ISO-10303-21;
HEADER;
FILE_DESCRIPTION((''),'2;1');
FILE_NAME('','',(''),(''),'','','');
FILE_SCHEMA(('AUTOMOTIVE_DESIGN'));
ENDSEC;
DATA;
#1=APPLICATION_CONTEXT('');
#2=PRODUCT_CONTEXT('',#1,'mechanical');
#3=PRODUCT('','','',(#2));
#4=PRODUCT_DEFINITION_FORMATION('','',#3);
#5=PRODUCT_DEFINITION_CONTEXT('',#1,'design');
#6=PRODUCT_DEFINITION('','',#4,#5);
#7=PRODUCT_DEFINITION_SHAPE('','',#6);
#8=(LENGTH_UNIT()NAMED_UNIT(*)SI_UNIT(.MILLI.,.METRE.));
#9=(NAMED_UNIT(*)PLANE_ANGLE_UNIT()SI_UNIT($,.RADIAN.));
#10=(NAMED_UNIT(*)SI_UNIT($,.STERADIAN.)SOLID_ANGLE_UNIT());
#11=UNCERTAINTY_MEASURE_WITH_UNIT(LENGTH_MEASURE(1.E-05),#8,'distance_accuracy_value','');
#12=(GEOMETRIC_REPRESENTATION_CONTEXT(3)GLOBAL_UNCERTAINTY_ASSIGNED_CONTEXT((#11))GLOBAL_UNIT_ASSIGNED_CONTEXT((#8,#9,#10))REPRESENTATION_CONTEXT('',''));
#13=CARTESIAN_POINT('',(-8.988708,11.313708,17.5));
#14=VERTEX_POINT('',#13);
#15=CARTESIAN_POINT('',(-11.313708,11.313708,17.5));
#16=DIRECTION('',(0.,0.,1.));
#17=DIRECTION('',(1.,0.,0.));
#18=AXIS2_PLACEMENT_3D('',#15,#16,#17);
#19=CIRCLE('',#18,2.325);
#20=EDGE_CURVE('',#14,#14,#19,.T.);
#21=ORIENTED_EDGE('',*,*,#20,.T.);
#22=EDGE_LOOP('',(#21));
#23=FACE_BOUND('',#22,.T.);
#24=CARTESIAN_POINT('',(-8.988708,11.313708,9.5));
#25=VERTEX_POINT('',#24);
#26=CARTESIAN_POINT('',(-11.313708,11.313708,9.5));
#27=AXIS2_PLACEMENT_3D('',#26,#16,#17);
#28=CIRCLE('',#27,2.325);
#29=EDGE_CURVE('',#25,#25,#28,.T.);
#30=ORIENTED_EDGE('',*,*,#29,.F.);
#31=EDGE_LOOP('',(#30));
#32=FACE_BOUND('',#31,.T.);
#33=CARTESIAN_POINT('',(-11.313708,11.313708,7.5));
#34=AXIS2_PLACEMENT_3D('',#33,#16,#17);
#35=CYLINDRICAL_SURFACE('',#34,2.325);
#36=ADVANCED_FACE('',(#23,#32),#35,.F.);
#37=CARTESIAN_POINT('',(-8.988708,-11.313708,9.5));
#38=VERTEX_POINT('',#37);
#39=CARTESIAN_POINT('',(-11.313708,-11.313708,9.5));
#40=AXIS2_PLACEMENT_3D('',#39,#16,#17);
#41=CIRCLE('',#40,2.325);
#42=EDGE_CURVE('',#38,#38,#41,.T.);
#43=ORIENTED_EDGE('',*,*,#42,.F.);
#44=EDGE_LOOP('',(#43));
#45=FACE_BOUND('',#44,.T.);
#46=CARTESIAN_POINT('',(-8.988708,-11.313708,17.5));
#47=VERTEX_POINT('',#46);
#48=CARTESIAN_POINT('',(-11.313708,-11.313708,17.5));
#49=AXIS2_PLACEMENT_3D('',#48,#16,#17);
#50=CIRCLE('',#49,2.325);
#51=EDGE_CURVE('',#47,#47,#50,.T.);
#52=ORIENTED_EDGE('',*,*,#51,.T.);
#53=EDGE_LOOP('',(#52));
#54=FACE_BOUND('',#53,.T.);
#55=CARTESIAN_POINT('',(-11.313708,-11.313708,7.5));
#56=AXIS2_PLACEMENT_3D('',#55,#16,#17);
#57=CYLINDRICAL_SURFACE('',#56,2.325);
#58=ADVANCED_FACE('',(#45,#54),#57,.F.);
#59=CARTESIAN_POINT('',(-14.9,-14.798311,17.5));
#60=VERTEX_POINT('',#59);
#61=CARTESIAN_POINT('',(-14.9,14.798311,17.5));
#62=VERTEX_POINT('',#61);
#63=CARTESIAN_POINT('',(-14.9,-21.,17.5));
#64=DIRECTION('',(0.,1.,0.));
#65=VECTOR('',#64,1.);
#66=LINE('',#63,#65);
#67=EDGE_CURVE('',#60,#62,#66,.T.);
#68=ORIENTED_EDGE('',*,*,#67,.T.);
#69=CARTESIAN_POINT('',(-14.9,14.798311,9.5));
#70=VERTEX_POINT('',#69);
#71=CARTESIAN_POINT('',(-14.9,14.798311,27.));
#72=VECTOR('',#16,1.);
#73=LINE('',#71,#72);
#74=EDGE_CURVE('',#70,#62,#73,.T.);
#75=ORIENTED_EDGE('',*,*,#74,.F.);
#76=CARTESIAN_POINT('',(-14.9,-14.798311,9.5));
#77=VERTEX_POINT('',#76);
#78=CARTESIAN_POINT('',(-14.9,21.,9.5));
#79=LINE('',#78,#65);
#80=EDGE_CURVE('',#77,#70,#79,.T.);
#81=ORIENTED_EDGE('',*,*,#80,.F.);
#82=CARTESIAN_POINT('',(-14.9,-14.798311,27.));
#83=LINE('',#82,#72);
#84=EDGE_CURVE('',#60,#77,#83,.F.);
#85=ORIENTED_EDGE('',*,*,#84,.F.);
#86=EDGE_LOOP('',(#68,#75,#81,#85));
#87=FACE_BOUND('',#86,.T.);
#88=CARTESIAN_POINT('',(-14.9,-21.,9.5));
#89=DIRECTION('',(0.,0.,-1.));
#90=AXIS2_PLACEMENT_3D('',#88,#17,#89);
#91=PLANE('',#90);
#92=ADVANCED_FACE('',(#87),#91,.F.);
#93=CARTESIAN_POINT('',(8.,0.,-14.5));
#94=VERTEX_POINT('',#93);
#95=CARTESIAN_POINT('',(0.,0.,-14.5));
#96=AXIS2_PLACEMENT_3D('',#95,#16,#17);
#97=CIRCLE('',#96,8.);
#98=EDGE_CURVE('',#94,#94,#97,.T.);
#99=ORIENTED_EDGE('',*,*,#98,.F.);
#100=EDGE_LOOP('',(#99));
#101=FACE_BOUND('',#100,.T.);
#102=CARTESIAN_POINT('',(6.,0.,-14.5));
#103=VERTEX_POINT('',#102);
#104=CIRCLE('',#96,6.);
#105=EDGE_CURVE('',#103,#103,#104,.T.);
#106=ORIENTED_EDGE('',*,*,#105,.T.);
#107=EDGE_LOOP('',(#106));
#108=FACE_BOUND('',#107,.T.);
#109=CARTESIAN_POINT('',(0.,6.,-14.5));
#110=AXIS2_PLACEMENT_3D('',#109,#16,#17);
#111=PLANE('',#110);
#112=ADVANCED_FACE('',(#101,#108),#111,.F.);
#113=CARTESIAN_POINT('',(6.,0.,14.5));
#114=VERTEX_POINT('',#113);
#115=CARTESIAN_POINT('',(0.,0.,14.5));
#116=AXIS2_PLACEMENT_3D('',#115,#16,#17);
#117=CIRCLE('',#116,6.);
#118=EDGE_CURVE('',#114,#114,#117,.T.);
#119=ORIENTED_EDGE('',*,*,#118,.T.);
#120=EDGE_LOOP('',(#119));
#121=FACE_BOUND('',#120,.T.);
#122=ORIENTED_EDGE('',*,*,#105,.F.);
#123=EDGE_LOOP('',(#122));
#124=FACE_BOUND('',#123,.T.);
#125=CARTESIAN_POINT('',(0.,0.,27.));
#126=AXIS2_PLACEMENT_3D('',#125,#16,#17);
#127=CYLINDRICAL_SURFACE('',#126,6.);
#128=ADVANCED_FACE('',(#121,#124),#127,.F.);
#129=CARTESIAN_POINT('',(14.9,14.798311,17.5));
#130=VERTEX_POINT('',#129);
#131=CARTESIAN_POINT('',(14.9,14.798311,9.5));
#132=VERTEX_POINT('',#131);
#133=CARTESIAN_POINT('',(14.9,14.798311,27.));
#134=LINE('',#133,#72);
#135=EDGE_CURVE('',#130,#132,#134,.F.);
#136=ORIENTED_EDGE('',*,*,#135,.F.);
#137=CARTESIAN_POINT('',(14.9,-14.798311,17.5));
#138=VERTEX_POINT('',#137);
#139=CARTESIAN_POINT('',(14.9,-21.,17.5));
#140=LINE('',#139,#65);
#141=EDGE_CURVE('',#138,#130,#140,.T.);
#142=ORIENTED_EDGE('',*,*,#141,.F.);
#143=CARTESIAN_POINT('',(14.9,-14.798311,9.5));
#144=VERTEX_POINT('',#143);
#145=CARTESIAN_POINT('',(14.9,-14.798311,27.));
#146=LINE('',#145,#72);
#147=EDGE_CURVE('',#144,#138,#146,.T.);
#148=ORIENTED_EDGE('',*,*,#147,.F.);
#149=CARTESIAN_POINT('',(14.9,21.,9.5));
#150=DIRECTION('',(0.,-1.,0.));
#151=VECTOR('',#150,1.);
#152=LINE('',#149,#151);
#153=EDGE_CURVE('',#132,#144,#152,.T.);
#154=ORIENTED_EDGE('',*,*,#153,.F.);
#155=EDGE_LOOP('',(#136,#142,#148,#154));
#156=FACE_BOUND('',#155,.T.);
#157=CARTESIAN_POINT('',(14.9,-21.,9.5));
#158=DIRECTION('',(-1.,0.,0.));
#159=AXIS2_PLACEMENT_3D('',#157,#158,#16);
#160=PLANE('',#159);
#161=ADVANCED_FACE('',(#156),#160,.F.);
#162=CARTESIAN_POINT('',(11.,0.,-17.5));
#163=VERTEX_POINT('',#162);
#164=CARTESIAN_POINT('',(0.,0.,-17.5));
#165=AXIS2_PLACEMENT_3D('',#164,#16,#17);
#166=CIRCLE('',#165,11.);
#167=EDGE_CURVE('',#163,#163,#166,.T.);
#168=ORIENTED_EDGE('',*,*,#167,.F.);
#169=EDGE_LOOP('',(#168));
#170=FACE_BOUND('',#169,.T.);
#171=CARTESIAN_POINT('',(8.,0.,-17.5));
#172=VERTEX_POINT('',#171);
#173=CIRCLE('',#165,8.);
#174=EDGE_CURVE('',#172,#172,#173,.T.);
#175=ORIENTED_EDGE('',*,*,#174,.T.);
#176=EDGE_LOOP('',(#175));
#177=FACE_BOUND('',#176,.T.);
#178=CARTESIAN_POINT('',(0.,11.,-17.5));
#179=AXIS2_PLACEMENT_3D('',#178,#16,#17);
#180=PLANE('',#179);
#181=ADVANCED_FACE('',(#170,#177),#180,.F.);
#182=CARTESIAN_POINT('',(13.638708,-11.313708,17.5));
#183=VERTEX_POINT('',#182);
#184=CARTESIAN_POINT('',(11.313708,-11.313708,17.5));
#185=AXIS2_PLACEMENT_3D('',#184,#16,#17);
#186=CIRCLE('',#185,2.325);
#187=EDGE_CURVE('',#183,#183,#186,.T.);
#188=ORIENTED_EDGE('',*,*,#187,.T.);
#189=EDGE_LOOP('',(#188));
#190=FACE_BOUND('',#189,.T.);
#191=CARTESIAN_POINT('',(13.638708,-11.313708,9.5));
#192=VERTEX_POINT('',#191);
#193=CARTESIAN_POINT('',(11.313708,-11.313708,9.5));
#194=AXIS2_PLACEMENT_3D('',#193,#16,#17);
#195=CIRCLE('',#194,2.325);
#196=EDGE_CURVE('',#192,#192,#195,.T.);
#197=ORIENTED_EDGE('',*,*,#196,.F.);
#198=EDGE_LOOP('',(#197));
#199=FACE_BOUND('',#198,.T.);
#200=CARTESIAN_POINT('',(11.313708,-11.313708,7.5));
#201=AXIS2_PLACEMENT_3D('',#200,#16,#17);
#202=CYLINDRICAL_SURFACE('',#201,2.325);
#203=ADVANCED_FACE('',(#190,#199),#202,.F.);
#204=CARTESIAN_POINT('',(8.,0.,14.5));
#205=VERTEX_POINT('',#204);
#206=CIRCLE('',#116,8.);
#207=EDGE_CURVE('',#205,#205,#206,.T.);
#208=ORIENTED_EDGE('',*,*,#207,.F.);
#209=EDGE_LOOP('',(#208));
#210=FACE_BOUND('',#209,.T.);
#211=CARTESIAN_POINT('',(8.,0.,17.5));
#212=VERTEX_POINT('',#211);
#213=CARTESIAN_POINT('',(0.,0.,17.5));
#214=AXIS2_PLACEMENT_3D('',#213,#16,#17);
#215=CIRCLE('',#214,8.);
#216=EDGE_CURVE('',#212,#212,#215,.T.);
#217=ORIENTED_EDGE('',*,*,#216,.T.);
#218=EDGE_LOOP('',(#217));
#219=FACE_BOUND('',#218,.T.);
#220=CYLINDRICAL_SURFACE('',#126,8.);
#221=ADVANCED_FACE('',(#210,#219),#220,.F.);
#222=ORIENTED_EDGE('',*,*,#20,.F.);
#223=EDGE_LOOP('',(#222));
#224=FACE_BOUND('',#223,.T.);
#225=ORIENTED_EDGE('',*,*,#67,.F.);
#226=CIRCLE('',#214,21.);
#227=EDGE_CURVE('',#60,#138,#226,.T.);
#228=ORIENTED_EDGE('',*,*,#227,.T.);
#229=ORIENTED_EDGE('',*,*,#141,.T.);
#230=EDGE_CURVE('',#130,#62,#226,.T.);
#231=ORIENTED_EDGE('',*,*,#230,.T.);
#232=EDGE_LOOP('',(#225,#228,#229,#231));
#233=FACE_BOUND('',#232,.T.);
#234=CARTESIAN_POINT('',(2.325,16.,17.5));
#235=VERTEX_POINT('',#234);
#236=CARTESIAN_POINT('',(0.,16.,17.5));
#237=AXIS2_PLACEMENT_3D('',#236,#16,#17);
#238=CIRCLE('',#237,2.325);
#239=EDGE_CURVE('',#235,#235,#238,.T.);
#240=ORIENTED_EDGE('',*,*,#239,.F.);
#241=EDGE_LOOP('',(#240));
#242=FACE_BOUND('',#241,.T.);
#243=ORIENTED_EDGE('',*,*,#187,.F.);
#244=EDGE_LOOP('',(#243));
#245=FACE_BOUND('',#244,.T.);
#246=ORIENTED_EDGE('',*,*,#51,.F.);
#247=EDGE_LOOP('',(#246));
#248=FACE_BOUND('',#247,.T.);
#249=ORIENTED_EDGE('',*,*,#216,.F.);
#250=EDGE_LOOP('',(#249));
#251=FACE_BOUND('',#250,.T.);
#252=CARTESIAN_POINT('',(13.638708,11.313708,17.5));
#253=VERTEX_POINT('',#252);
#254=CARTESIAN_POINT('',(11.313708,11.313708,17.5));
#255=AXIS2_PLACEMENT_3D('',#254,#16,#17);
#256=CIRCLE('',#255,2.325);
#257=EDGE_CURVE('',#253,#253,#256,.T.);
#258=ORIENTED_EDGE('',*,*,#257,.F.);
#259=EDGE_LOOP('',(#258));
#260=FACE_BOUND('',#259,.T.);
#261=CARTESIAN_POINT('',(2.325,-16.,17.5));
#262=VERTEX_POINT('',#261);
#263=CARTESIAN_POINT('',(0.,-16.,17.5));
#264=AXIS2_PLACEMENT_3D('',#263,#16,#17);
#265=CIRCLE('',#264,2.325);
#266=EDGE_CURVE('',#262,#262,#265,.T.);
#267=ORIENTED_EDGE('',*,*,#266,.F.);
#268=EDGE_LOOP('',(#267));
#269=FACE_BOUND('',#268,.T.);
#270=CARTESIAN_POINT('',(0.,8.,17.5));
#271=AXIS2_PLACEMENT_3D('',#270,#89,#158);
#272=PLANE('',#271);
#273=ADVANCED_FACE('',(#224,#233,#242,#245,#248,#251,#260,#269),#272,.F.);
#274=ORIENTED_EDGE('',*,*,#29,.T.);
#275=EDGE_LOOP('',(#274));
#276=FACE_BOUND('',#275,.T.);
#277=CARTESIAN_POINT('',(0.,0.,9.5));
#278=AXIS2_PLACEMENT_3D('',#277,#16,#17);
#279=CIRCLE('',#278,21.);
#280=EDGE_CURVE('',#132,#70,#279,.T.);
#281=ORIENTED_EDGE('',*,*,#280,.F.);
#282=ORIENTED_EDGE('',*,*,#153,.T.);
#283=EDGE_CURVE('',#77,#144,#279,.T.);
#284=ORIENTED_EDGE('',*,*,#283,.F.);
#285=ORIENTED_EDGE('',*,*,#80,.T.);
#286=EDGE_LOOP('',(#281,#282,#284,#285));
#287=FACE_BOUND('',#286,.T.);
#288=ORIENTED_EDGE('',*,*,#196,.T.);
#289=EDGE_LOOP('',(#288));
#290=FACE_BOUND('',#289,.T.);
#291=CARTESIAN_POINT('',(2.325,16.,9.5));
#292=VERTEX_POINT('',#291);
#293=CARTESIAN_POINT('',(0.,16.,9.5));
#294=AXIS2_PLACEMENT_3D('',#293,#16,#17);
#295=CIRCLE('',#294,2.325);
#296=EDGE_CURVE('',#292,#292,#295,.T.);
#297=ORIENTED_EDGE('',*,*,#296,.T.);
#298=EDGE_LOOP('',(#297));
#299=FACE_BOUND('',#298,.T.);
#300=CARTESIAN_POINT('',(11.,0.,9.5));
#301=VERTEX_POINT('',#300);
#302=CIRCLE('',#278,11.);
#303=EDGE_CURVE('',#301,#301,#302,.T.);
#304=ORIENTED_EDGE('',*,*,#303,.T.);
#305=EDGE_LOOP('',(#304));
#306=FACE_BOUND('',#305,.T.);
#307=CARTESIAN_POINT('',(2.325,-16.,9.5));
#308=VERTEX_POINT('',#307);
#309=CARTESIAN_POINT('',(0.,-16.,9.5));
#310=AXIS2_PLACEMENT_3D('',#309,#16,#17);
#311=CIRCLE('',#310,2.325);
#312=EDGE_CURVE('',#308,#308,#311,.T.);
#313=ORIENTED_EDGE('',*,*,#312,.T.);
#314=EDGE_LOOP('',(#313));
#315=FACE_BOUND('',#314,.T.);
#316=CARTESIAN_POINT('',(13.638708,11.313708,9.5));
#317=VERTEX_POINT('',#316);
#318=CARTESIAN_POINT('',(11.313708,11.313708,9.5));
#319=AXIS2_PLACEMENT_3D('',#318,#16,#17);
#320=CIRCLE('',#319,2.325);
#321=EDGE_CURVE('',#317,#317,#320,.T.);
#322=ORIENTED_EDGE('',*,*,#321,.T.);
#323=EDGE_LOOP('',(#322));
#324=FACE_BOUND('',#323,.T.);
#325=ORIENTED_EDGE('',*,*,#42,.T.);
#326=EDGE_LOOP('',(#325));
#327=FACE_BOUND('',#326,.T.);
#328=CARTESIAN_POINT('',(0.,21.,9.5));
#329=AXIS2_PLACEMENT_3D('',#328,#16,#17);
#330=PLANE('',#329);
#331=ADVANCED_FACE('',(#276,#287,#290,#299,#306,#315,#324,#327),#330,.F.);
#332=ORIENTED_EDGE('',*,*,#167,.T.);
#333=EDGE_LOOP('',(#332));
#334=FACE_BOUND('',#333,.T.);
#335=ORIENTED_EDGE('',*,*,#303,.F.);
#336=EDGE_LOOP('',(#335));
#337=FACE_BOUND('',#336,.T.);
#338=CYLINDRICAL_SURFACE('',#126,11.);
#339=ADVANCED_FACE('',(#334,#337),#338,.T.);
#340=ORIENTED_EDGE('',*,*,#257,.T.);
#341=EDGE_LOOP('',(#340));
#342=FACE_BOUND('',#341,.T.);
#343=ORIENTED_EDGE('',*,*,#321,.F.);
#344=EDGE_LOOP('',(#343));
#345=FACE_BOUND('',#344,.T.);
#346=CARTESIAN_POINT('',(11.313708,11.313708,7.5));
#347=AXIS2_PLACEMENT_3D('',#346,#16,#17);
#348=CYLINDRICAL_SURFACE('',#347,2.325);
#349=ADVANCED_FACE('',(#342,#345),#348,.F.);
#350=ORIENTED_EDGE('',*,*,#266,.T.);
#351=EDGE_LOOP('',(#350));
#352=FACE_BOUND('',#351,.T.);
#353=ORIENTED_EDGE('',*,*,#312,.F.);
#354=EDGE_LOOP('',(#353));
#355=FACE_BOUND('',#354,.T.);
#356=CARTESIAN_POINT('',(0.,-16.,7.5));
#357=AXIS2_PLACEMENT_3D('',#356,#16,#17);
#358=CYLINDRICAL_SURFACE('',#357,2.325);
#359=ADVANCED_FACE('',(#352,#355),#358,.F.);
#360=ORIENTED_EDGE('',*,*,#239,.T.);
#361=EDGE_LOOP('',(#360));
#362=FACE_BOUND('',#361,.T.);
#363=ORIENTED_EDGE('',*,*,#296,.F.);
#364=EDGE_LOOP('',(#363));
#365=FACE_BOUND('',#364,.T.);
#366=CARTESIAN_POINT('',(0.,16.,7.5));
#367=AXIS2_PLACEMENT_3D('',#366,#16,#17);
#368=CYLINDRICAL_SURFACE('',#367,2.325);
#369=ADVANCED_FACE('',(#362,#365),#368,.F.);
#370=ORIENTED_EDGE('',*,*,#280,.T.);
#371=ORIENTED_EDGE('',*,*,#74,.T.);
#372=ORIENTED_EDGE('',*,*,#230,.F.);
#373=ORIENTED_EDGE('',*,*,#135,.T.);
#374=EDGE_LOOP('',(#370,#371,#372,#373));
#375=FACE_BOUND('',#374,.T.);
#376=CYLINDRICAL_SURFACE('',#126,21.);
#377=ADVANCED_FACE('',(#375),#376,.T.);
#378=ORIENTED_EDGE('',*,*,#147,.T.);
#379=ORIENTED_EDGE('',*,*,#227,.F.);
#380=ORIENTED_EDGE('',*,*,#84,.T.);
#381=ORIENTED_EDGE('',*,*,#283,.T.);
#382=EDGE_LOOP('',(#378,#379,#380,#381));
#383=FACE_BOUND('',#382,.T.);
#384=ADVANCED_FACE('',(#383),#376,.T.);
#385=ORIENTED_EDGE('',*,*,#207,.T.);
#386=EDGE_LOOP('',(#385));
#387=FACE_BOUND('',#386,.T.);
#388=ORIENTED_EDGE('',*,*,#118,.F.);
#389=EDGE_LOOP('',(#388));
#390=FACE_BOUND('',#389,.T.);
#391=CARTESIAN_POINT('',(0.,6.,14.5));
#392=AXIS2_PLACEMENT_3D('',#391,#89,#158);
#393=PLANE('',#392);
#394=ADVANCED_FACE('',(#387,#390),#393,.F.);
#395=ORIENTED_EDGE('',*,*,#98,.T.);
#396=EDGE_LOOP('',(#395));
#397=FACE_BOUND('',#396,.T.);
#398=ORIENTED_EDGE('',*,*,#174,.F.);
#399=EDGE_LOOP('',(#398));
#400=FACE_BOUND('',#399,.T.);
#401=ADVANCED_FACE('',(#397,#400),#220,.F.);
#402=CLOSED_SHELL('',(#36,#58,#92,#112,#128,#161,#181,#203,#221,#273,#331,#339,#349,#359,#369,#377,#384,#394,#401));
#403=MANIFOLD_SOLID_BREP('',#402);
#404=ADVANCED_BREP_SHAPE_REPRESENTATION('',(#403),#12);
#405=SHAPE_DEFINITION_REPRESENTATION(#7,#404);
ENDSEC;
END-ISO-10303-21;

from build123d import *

# Parameters (mm, degrees)
SKETCH2_W               = 6.1
SKETCH2_H               = 8
CUT_EXTRUDE1_DEPTH      = 22
CUT_EXTRUDE1_DEPTH_BACK = 22
SKETCH3_R               = 2.325
CUT_EXTRUDE2_DEPTH      = 10


with BuildPart() as part:
    # Sketch1 → Revolve1 (revolve)
    with BuildSketch(Plane(origin=(0, 0, 0), x_dir=(0, 0, -1), z_dir=(1, 0, 0))):
        Polygon((14.5, 6), (-14.5, 6), (-14.5, 8), (-17.5, 8), (-17.5, 21), (-9.5, 21), (-9.5, 11), (17.5, 11), (17.5, 8), (14.5, 8), align=None)
    revolve(axis=Axis((0, 0, 27), (0, 0, -1)))

    # Sketch2 → Cut-Extrude1 (cut, two sides)
    with BuildSketch(Plane(origin=(0, 0, 0), x_dir=(1, 0, 0), z_dir=(0, 1, 0))) as cut_extrude1_sk:
        with Locations((-17.95, -13.5)):
            Rectangle(SKETCH2_W, SKETCH2_H)
        with Locations((17.95, -13.5)):
            Rectangle(SKETCH2_W, SKETCH2_H)
    extrude(amount=CUT_EXTRUDE1_DEPTH, mode=Mode.SUBTRACT)
    extrude(cut_extrude1_sk.sketch, amount=-CUT_EXTRUDE1_DEPTH_BACK, mode=Mode.SUBTRACT)

    # Sketch3 → Cut-Extrude2 (cut)
    with BuildSketch(Plane.XY.offset(17.5)):
        with Locations((0, 16)):
            Circle(SKETCH3_R)
        with Locations((11.313708499, 11.313708499)):
            Circle(SKETCH3_R)
        with Locations((11.313708499, -11.313708499)):
            Circle(SKETCH3_R)
        with Locations((0, -16)):
            Circle(SKETCH3_R)
        with Locations((-11.313708499, -11.313708499)):
            Circle(SKETCH3_R)
        with Locations((-11.313708499, 11.313708499)):
            Circle(SKETCH3_R)
    extrude(amount=-CUT_EXTRUDE2_DEPTH, mode=Mode.SUBTRACT)


solid = part.part
